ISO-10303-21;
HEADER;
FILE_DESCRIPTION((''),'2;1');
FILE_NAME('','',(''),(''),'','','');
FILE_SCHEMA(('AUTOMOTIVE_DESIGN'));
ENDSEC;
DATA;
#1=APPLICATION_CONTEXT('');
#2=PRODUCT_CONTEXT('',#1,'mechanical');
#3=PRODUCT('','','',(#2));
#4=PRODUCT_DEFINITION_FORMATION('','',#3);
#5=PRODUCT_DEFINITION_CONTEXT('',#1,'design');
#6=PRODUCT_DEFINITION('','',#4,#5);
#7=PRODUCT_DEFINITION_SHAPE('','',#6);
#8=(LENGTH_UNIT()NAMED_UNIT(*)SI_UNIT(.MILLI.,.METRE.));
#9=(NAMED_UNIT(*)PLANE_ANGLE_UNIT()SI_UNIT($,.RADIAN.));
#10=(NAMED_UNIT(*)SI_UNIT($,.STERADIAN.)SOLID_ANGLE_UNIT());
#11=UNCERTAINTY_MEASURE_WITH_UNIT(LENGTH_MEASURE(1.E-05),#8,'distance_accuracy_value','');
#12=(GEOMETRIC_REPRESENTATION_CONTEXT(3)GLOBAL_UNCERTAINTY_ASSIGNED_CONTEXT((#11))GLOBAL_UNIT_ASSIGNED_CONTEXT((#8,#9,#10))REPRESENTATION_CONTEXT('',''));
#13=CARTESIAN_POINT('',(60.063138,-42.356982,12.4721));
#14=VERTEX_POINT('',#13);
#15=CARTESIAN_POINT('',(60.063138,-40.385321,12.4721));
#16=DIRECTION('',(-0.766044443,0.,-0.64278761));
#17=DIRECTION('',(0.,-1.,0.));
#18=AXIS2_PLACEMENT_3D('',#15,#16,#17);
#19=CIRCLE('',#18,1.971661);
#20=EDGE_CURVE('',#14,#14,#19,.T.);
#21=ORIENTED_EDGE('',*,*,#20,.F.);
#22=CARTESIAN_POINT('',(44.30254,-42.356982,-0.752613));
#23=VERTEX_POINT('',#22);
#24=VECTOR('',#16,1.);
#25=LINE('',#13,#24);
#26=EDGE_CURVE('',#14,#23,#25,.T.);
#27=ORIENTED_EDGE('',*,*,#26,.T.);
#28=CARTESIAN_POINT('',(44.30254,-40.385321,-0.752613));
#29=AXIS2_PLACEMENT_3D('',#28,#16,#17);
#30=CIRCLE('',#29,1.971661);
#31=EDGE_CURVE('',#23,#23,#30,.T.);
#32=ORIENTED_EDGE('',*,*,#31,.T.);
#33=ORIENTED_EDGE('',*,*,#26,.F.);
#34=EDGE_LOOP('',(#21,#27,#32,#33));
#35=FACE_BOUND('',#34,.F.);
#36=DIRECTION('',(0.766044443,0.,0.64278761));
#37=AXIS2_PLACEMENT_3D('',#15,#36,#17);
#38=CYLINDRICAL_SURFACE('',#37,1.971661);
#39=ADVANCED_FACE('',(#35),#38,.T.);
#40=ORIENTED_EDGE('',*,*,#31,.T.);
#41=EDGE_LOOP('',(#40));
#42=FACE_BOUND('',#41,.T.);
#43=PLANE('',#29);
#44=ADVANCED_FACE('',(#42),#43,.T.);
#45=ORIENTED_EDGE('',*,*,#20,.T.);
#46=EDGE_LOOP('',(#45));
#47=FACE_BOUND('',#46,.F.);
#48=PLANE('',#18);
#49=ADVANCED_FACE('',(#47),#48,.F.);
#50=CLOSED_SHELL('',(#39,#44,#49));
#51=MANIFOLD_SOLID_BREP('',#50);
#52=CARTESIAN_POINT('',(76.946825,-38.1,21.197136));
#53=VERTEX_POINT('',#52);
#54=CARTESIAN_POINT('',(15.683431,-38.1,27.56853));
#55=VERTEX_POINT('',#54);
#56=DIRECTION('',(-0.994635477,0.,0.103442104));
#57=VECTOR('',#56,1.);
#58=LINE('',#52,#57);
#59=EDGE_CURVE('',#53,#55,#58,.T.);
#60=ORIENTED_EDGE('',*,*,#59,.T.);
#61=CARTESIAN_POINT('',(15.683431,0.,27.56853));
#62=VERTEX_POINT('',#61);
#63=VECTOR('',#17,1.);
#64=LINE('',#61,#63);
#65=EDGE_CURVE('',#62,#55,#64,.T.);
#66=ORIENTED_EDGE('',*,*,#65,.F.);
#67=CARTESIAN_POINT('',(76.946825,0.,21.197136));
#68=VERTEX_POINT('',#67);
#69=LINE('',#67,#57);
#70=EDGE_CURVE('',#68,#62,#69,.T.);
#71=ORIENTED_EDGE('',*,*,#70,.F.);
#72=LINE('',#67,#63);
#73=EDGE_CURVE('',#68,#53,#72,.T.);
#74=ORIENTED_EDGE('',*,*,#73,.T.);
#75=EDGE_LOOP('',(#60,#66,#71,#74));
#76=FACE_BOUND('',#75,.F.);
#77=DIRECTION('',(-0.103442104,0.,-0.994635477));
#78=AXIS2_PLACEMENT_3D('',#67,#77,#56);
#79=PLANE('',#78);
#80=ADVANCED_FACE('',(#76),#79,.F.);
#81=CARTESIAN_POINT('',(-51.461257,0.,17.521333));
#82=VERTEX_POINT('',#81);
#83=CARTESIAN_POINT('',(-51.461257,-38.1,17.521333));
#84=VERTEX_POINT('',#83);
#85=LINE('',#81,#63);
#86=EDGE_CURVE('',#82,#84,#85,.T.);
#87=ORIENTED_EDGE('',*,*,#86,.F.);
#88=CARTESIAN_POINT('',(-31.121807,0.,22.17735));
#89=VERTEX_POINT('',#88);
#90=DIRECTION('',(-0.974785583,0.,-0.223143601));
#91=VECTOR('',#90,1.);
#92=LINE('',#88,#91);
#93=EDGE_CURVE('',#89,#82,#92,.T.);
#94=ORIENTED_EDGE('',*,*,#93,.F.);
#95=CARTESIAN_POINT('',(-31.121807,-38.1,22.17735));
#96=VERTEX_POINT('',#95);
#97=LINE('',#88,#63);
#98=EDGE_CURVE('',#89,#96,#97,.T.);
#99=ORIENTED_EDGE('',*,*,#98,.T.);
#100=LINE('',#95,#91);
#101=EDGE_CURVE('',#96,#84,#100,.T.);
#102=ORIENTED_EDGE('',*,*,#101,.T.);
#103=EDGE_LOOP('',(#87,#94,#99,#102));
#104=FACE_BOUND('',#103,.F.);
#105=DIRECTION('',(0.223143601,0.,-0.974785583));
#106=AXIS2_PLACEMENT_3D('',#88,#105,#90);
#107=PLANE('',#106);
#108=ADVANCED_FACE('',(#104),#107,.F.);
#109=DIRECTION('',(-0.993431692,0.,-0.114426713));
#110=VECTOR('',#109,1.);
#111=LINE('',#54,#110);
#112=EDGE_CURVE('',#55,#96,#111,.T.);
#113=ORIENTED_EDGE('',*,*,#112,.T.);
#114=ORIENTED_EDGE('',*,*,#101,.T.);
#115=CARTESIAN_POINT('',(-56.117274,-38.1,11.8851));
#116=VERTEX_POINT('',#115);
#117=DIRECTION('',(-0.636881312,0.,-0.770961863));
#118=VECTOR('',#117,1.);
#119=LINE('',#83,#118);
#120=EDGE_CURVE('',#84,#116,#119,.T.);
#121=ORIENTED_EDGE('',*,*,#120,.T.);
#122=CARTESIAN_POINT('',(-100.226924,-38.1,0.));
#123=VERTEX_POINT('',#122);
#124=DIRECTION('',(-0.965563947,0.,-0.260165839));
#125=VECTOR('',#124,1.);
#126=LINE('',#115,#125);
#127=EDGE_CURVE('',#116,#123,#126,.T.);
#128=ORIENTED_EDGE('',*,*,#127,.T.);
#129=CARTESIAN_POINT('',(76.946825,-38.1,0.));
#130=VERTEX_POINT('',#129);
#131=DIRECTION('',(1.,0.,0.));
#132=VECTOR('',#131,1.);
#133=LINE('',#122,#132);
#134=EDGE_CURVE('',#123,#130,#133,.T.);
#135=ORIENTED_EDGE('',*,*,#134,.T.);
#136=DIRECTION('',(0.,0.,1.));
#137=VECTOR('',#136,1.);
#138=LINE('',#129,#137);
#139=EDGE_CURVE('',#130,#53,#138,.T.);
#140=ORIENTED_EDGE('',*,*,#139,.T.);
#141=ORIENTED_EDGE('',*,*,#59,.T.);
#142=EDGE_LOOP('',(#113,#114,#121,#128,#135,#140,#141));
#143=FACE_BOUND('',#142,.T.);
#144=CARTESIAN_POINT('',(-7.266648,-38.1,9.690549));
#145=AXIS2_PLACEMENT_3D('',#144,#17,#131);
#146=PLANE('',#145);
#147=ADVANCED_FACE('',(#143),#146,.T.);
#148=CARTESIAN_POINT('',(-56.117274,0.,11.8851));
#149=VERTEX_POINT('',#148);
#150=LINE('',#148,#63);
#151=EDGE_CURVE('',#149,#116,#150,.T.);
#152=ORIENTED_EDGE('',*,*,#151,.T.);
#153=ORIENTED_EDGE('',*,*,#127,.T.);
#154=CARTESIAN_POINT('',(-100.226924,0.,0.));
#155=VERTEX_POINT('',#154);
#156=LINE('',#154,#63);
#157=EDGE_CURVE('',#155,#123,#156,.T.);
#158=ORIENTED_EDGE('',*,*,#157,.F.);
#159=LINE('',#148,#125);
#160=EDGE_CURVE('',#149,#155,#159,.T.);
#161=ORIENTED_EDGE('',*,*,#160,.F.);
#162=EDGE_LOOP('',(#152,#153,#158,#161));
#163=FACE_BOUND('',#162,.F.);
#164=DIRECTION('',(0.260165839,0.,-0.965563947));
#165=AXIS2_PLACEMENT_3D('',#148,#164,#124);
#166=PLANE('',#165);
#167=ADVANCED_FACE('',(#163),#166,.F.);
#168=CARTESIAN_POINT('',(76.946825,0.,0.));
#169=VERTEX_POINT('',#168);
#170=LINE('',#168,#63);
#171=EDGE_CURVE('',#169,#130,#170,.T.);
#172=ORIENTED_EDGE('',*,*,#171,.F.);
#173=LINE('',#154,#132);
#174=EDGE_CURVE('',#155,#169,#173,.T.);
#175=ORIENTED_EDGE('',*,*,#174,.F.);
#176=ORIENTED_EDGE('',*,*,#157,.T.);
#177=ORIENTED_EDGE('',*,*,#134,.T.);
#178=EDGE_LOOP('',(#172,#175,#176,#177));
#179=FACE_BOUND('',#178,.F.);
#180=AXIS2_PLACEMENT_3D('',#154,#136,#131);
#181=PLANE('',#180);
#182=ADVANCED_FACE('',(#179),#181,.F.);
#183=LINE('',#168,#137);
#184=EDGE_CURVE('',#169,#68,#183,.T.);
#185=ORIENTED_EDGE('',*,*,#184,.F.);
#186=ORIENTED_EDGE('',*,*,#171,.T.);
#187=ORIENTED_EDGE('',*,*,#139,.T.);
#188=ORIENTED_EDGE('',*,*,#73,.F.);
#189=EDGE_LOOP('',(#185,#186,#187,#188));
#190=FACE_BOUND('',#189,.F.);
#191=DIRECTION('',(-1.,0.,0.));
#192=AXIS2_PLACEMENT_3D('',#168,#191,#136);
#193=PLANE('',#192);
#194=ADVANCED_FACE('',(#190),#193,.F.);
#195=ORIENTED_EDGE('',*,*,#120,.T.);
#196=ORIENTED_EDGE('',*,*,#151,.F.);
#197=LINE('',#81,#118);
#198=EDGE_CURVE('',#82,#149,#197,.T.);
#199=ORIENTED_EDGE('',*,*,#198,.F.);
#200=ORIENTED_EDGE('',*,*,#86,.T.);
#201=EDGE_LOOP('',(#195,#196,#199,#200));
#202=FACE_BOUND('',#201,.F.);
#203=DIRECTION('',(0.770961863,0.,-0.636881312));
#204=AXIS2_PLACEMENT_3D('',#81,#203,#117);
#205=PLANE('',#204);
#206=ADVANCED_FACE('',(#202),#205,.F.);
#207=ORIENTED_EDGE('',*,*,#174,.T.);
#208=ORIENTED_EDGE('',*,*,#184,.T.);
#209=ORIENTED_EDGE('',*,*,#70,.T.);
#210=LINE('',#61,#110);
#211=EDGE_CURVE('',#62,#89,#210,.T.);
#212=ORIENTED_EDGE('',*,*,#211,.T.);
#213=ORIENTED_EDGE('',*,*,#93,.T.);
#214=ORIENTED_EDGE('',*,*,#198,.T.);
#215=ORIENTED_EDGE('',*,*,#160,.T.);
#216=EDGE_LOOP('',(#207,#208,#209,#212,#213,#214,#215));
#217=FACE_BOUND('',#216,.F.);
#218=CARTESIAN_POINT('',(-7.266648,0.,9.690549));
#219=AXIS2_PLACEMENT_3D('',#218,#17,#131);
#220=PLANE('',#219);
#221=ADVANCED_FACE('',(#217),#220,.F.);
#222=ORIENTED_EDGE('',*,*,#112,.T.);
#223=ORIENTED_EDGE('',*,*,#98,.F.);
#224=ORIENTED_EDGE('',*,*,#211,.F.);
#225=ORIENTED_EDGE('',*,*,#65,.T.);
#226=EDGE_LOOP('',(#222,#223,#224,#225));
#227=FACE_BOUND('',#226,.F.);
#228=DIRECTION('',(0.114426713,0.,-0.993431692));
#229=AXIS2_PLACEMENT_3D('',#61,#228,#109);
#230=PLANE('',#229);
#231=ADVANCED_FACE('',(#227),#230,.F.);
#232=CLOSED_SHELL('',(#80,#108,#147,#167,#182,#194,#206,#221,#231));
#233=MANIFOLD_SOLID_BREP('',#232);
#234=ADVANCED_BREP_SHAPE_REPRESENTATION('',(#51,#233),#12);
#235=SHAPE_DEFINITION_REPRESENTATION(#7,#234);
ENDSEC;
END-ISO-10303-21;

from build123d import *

# Parameters (mm, degrees)
F1_DEPTH = 38.1
F4_START = 18.542
F3_R     = 1.9716608836
F4_DEPTH = 20.574


with BuildPart() as f1:
    # F0 (on Front) → F1 (new body)
    with BuildSketch(Plane.XZ):
        Polygon((-56.1172738671, 11.8851000443), (-100.2269238234, 0), (76.946824789, 0), (76.946824789, 21.1971364915), (15.6834311783, 27.5685302913), (-31.1218071729, 22.177349776), (-51.4612570405, 17.5213329494), align=None)
    extrude(amount=F1_DEPTH)


with BuildPart() as f4:
    # F3 (on face) → F4 (new body)
    with BuildSketch(Plane(origin=(55.5918025247, 0, 46.647060995), x_dir=(0, -1, 0), z_dir=(-0.7660444431, 0, -0.6427876097)).offset(F4_START)):
        with Locations((40.3853207827, -29.053658247)):
            Circle(F3_R)
    extrude(amount=F4_DEPTH)


solid = Compound([f1.part, f4.part])
